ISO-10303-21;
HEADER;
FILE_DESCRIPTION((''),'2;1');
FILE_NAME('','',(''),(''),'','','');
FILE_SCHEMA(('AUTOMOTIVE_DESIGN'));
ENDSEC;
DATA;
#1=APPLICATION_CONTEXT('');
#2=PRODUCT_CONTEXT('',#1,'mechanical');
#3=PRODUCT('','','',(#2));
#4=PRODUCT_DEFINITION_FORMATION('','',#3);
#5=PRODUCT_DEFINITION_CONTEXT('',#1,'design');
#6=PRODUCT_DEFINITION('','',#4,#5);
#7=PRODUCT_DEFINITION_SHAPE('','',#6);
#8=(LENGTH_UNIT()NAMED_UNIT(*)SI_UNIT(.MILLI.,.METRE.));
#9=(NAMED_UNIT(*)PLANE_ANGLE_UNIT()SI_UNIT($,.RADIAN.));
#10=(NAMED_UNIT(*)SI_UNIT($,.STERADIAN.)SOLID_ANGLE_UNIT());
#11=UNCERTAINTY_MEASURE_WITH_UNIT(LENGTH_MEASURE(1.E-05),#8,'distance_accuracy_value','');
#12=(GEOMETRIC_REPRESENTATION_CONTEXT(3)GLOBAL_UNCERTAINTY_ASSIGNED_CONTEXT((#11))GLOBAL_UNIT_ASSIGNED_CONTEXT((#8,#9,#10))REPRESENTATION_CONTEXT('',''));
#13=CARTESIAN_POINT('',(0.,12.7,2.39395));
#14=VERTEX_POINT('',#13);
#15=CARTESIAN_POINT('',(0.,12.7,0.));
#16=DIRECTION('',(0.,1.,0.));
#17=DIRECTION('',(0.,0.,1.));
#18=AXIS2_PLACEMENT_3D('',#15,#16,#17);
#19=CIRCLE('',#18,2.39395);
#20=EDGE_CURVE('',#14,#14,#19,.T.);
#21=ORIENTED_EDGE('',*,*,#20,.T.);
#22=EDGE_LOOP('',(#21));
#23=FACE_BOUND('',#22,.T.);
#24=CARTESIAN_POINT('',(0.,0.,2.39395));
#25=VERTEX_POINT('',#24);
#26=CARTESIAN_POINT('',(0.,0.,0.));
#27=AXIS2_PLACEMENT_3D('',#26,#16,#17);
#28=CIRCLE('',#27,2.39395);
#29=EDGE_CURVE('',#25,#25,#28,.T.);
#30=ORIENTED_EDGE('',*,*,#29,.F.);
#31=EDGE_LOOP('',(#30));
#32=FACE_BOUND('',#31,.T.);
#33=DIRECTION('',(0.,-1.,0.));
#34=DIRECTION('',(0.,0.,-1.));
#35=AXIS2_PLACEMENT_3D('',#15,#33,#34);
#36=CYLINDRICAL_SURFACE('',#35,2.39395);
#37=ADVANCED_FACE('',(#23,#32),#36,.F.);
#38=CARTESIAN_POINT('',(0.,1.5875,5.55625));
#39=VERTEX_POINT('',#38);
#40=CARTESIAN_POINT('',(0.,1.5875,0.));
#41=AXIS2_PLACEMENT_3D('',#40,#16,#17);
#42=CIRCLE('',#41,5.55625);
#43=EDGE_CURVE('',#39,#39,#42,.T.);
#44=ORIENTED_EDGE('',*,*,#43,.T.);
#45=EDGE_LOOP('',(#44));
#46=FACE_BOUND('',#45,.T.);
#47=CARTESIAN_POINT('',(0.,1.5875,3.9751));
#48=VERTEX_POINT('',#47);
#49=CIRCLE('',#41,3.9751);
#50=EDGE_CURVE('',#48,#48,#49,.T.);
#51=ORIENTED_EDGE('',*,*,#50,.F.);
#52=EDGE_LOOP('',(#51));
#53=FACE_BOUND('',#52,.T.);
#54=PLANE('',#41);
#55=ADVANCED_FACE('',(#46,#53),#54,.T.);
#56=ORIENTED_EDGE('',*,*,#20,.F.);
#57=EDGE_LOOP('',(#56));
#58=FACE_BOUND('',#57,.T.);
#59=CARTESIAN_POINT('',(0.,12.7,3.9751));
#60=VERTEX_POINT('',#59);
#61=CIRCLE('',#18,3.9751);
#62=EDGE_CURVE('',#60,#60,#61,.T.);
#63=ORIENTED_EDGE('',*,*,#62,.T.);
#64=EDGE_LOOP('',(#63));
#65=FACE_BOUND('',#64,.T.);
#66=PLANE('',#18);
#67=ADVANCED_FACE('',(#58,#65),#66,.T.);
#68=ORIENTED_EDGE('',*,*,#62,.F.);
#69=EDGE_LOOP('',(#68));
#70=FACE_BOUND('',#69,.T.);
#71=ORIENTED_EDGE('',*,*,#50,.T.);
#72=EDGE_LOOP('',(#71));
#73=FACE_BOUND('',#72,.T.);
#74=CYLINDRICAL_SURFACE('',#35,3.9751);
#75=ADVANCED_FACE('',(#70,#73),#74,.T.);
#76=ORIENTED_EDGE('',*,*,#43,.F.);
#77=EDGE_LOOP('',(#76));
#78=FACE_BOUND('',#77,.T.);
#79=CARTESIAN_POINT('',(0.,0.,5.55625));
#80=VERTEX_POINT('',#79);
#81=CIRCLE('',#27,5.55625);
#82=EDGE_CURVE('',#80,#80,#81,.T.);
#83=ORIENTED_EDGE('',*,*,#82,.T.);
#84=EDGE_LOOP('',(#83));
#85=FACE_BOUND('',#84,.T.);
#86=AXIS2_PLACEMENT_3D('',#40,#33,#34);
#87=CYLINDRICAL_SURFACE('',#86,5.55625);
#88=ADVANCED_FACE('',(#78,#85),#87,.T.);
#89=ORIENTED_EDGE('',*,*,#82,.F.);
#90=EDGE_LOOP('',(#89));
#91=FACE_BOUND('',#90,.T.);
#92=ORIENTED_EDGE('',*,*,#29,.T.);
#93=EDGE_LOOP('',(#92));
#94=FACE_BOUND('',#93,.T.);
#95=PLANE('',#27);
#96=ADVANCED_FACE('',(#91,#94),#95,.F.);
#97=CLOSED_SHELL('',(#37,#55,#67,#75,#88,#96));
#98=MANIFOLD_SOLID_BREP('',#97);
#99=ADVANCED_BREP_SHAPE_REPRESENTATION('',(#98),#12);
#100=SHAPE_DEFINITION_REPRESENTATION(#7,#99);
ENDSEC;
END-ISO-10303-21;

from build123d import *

# Parameters (mm, degrees)
SKETCH2_R           = 3.9751
SKETCH2_R_2         = 2.39395
BOSS_EXTRUDE1_DEPTH = 12.7
SKETCH3_R           = 5.55625
SKETCH3_R_2         = 3.9751
BOSS_EXTRUDE2_DEPTH = 1.5875


with BuildPart() as part:
    # Sketch2 → Boss-Extrude1 (new body)
    with BuildSketch(Plane(origin=(0, 0, 0), x_dir=(1, 0, 0), z_dir=(0, 1, 0))):
        Circle(SKETCH2_R)
        Circle(SKETCH2_R_2, mode=Mode.SUBTRACT)
    extrude(amount=BOSS_EXTRUDE1_DEPTH)

    # Sketch3 → Boss-Extrude2 (add)
    with BuildSketch(Plane(origin=(0, 0, 0), x_dir=(1, 0, 0), z_dir=(0, 1, 0))):
        Circle(SKETCH3_R)
        Circle(SKETCH3_R_2, mode=Mode.SUBTRACT)
    extrude(amount=BOSS_EXTRUDE2_DEPTH)


solid = part.part
